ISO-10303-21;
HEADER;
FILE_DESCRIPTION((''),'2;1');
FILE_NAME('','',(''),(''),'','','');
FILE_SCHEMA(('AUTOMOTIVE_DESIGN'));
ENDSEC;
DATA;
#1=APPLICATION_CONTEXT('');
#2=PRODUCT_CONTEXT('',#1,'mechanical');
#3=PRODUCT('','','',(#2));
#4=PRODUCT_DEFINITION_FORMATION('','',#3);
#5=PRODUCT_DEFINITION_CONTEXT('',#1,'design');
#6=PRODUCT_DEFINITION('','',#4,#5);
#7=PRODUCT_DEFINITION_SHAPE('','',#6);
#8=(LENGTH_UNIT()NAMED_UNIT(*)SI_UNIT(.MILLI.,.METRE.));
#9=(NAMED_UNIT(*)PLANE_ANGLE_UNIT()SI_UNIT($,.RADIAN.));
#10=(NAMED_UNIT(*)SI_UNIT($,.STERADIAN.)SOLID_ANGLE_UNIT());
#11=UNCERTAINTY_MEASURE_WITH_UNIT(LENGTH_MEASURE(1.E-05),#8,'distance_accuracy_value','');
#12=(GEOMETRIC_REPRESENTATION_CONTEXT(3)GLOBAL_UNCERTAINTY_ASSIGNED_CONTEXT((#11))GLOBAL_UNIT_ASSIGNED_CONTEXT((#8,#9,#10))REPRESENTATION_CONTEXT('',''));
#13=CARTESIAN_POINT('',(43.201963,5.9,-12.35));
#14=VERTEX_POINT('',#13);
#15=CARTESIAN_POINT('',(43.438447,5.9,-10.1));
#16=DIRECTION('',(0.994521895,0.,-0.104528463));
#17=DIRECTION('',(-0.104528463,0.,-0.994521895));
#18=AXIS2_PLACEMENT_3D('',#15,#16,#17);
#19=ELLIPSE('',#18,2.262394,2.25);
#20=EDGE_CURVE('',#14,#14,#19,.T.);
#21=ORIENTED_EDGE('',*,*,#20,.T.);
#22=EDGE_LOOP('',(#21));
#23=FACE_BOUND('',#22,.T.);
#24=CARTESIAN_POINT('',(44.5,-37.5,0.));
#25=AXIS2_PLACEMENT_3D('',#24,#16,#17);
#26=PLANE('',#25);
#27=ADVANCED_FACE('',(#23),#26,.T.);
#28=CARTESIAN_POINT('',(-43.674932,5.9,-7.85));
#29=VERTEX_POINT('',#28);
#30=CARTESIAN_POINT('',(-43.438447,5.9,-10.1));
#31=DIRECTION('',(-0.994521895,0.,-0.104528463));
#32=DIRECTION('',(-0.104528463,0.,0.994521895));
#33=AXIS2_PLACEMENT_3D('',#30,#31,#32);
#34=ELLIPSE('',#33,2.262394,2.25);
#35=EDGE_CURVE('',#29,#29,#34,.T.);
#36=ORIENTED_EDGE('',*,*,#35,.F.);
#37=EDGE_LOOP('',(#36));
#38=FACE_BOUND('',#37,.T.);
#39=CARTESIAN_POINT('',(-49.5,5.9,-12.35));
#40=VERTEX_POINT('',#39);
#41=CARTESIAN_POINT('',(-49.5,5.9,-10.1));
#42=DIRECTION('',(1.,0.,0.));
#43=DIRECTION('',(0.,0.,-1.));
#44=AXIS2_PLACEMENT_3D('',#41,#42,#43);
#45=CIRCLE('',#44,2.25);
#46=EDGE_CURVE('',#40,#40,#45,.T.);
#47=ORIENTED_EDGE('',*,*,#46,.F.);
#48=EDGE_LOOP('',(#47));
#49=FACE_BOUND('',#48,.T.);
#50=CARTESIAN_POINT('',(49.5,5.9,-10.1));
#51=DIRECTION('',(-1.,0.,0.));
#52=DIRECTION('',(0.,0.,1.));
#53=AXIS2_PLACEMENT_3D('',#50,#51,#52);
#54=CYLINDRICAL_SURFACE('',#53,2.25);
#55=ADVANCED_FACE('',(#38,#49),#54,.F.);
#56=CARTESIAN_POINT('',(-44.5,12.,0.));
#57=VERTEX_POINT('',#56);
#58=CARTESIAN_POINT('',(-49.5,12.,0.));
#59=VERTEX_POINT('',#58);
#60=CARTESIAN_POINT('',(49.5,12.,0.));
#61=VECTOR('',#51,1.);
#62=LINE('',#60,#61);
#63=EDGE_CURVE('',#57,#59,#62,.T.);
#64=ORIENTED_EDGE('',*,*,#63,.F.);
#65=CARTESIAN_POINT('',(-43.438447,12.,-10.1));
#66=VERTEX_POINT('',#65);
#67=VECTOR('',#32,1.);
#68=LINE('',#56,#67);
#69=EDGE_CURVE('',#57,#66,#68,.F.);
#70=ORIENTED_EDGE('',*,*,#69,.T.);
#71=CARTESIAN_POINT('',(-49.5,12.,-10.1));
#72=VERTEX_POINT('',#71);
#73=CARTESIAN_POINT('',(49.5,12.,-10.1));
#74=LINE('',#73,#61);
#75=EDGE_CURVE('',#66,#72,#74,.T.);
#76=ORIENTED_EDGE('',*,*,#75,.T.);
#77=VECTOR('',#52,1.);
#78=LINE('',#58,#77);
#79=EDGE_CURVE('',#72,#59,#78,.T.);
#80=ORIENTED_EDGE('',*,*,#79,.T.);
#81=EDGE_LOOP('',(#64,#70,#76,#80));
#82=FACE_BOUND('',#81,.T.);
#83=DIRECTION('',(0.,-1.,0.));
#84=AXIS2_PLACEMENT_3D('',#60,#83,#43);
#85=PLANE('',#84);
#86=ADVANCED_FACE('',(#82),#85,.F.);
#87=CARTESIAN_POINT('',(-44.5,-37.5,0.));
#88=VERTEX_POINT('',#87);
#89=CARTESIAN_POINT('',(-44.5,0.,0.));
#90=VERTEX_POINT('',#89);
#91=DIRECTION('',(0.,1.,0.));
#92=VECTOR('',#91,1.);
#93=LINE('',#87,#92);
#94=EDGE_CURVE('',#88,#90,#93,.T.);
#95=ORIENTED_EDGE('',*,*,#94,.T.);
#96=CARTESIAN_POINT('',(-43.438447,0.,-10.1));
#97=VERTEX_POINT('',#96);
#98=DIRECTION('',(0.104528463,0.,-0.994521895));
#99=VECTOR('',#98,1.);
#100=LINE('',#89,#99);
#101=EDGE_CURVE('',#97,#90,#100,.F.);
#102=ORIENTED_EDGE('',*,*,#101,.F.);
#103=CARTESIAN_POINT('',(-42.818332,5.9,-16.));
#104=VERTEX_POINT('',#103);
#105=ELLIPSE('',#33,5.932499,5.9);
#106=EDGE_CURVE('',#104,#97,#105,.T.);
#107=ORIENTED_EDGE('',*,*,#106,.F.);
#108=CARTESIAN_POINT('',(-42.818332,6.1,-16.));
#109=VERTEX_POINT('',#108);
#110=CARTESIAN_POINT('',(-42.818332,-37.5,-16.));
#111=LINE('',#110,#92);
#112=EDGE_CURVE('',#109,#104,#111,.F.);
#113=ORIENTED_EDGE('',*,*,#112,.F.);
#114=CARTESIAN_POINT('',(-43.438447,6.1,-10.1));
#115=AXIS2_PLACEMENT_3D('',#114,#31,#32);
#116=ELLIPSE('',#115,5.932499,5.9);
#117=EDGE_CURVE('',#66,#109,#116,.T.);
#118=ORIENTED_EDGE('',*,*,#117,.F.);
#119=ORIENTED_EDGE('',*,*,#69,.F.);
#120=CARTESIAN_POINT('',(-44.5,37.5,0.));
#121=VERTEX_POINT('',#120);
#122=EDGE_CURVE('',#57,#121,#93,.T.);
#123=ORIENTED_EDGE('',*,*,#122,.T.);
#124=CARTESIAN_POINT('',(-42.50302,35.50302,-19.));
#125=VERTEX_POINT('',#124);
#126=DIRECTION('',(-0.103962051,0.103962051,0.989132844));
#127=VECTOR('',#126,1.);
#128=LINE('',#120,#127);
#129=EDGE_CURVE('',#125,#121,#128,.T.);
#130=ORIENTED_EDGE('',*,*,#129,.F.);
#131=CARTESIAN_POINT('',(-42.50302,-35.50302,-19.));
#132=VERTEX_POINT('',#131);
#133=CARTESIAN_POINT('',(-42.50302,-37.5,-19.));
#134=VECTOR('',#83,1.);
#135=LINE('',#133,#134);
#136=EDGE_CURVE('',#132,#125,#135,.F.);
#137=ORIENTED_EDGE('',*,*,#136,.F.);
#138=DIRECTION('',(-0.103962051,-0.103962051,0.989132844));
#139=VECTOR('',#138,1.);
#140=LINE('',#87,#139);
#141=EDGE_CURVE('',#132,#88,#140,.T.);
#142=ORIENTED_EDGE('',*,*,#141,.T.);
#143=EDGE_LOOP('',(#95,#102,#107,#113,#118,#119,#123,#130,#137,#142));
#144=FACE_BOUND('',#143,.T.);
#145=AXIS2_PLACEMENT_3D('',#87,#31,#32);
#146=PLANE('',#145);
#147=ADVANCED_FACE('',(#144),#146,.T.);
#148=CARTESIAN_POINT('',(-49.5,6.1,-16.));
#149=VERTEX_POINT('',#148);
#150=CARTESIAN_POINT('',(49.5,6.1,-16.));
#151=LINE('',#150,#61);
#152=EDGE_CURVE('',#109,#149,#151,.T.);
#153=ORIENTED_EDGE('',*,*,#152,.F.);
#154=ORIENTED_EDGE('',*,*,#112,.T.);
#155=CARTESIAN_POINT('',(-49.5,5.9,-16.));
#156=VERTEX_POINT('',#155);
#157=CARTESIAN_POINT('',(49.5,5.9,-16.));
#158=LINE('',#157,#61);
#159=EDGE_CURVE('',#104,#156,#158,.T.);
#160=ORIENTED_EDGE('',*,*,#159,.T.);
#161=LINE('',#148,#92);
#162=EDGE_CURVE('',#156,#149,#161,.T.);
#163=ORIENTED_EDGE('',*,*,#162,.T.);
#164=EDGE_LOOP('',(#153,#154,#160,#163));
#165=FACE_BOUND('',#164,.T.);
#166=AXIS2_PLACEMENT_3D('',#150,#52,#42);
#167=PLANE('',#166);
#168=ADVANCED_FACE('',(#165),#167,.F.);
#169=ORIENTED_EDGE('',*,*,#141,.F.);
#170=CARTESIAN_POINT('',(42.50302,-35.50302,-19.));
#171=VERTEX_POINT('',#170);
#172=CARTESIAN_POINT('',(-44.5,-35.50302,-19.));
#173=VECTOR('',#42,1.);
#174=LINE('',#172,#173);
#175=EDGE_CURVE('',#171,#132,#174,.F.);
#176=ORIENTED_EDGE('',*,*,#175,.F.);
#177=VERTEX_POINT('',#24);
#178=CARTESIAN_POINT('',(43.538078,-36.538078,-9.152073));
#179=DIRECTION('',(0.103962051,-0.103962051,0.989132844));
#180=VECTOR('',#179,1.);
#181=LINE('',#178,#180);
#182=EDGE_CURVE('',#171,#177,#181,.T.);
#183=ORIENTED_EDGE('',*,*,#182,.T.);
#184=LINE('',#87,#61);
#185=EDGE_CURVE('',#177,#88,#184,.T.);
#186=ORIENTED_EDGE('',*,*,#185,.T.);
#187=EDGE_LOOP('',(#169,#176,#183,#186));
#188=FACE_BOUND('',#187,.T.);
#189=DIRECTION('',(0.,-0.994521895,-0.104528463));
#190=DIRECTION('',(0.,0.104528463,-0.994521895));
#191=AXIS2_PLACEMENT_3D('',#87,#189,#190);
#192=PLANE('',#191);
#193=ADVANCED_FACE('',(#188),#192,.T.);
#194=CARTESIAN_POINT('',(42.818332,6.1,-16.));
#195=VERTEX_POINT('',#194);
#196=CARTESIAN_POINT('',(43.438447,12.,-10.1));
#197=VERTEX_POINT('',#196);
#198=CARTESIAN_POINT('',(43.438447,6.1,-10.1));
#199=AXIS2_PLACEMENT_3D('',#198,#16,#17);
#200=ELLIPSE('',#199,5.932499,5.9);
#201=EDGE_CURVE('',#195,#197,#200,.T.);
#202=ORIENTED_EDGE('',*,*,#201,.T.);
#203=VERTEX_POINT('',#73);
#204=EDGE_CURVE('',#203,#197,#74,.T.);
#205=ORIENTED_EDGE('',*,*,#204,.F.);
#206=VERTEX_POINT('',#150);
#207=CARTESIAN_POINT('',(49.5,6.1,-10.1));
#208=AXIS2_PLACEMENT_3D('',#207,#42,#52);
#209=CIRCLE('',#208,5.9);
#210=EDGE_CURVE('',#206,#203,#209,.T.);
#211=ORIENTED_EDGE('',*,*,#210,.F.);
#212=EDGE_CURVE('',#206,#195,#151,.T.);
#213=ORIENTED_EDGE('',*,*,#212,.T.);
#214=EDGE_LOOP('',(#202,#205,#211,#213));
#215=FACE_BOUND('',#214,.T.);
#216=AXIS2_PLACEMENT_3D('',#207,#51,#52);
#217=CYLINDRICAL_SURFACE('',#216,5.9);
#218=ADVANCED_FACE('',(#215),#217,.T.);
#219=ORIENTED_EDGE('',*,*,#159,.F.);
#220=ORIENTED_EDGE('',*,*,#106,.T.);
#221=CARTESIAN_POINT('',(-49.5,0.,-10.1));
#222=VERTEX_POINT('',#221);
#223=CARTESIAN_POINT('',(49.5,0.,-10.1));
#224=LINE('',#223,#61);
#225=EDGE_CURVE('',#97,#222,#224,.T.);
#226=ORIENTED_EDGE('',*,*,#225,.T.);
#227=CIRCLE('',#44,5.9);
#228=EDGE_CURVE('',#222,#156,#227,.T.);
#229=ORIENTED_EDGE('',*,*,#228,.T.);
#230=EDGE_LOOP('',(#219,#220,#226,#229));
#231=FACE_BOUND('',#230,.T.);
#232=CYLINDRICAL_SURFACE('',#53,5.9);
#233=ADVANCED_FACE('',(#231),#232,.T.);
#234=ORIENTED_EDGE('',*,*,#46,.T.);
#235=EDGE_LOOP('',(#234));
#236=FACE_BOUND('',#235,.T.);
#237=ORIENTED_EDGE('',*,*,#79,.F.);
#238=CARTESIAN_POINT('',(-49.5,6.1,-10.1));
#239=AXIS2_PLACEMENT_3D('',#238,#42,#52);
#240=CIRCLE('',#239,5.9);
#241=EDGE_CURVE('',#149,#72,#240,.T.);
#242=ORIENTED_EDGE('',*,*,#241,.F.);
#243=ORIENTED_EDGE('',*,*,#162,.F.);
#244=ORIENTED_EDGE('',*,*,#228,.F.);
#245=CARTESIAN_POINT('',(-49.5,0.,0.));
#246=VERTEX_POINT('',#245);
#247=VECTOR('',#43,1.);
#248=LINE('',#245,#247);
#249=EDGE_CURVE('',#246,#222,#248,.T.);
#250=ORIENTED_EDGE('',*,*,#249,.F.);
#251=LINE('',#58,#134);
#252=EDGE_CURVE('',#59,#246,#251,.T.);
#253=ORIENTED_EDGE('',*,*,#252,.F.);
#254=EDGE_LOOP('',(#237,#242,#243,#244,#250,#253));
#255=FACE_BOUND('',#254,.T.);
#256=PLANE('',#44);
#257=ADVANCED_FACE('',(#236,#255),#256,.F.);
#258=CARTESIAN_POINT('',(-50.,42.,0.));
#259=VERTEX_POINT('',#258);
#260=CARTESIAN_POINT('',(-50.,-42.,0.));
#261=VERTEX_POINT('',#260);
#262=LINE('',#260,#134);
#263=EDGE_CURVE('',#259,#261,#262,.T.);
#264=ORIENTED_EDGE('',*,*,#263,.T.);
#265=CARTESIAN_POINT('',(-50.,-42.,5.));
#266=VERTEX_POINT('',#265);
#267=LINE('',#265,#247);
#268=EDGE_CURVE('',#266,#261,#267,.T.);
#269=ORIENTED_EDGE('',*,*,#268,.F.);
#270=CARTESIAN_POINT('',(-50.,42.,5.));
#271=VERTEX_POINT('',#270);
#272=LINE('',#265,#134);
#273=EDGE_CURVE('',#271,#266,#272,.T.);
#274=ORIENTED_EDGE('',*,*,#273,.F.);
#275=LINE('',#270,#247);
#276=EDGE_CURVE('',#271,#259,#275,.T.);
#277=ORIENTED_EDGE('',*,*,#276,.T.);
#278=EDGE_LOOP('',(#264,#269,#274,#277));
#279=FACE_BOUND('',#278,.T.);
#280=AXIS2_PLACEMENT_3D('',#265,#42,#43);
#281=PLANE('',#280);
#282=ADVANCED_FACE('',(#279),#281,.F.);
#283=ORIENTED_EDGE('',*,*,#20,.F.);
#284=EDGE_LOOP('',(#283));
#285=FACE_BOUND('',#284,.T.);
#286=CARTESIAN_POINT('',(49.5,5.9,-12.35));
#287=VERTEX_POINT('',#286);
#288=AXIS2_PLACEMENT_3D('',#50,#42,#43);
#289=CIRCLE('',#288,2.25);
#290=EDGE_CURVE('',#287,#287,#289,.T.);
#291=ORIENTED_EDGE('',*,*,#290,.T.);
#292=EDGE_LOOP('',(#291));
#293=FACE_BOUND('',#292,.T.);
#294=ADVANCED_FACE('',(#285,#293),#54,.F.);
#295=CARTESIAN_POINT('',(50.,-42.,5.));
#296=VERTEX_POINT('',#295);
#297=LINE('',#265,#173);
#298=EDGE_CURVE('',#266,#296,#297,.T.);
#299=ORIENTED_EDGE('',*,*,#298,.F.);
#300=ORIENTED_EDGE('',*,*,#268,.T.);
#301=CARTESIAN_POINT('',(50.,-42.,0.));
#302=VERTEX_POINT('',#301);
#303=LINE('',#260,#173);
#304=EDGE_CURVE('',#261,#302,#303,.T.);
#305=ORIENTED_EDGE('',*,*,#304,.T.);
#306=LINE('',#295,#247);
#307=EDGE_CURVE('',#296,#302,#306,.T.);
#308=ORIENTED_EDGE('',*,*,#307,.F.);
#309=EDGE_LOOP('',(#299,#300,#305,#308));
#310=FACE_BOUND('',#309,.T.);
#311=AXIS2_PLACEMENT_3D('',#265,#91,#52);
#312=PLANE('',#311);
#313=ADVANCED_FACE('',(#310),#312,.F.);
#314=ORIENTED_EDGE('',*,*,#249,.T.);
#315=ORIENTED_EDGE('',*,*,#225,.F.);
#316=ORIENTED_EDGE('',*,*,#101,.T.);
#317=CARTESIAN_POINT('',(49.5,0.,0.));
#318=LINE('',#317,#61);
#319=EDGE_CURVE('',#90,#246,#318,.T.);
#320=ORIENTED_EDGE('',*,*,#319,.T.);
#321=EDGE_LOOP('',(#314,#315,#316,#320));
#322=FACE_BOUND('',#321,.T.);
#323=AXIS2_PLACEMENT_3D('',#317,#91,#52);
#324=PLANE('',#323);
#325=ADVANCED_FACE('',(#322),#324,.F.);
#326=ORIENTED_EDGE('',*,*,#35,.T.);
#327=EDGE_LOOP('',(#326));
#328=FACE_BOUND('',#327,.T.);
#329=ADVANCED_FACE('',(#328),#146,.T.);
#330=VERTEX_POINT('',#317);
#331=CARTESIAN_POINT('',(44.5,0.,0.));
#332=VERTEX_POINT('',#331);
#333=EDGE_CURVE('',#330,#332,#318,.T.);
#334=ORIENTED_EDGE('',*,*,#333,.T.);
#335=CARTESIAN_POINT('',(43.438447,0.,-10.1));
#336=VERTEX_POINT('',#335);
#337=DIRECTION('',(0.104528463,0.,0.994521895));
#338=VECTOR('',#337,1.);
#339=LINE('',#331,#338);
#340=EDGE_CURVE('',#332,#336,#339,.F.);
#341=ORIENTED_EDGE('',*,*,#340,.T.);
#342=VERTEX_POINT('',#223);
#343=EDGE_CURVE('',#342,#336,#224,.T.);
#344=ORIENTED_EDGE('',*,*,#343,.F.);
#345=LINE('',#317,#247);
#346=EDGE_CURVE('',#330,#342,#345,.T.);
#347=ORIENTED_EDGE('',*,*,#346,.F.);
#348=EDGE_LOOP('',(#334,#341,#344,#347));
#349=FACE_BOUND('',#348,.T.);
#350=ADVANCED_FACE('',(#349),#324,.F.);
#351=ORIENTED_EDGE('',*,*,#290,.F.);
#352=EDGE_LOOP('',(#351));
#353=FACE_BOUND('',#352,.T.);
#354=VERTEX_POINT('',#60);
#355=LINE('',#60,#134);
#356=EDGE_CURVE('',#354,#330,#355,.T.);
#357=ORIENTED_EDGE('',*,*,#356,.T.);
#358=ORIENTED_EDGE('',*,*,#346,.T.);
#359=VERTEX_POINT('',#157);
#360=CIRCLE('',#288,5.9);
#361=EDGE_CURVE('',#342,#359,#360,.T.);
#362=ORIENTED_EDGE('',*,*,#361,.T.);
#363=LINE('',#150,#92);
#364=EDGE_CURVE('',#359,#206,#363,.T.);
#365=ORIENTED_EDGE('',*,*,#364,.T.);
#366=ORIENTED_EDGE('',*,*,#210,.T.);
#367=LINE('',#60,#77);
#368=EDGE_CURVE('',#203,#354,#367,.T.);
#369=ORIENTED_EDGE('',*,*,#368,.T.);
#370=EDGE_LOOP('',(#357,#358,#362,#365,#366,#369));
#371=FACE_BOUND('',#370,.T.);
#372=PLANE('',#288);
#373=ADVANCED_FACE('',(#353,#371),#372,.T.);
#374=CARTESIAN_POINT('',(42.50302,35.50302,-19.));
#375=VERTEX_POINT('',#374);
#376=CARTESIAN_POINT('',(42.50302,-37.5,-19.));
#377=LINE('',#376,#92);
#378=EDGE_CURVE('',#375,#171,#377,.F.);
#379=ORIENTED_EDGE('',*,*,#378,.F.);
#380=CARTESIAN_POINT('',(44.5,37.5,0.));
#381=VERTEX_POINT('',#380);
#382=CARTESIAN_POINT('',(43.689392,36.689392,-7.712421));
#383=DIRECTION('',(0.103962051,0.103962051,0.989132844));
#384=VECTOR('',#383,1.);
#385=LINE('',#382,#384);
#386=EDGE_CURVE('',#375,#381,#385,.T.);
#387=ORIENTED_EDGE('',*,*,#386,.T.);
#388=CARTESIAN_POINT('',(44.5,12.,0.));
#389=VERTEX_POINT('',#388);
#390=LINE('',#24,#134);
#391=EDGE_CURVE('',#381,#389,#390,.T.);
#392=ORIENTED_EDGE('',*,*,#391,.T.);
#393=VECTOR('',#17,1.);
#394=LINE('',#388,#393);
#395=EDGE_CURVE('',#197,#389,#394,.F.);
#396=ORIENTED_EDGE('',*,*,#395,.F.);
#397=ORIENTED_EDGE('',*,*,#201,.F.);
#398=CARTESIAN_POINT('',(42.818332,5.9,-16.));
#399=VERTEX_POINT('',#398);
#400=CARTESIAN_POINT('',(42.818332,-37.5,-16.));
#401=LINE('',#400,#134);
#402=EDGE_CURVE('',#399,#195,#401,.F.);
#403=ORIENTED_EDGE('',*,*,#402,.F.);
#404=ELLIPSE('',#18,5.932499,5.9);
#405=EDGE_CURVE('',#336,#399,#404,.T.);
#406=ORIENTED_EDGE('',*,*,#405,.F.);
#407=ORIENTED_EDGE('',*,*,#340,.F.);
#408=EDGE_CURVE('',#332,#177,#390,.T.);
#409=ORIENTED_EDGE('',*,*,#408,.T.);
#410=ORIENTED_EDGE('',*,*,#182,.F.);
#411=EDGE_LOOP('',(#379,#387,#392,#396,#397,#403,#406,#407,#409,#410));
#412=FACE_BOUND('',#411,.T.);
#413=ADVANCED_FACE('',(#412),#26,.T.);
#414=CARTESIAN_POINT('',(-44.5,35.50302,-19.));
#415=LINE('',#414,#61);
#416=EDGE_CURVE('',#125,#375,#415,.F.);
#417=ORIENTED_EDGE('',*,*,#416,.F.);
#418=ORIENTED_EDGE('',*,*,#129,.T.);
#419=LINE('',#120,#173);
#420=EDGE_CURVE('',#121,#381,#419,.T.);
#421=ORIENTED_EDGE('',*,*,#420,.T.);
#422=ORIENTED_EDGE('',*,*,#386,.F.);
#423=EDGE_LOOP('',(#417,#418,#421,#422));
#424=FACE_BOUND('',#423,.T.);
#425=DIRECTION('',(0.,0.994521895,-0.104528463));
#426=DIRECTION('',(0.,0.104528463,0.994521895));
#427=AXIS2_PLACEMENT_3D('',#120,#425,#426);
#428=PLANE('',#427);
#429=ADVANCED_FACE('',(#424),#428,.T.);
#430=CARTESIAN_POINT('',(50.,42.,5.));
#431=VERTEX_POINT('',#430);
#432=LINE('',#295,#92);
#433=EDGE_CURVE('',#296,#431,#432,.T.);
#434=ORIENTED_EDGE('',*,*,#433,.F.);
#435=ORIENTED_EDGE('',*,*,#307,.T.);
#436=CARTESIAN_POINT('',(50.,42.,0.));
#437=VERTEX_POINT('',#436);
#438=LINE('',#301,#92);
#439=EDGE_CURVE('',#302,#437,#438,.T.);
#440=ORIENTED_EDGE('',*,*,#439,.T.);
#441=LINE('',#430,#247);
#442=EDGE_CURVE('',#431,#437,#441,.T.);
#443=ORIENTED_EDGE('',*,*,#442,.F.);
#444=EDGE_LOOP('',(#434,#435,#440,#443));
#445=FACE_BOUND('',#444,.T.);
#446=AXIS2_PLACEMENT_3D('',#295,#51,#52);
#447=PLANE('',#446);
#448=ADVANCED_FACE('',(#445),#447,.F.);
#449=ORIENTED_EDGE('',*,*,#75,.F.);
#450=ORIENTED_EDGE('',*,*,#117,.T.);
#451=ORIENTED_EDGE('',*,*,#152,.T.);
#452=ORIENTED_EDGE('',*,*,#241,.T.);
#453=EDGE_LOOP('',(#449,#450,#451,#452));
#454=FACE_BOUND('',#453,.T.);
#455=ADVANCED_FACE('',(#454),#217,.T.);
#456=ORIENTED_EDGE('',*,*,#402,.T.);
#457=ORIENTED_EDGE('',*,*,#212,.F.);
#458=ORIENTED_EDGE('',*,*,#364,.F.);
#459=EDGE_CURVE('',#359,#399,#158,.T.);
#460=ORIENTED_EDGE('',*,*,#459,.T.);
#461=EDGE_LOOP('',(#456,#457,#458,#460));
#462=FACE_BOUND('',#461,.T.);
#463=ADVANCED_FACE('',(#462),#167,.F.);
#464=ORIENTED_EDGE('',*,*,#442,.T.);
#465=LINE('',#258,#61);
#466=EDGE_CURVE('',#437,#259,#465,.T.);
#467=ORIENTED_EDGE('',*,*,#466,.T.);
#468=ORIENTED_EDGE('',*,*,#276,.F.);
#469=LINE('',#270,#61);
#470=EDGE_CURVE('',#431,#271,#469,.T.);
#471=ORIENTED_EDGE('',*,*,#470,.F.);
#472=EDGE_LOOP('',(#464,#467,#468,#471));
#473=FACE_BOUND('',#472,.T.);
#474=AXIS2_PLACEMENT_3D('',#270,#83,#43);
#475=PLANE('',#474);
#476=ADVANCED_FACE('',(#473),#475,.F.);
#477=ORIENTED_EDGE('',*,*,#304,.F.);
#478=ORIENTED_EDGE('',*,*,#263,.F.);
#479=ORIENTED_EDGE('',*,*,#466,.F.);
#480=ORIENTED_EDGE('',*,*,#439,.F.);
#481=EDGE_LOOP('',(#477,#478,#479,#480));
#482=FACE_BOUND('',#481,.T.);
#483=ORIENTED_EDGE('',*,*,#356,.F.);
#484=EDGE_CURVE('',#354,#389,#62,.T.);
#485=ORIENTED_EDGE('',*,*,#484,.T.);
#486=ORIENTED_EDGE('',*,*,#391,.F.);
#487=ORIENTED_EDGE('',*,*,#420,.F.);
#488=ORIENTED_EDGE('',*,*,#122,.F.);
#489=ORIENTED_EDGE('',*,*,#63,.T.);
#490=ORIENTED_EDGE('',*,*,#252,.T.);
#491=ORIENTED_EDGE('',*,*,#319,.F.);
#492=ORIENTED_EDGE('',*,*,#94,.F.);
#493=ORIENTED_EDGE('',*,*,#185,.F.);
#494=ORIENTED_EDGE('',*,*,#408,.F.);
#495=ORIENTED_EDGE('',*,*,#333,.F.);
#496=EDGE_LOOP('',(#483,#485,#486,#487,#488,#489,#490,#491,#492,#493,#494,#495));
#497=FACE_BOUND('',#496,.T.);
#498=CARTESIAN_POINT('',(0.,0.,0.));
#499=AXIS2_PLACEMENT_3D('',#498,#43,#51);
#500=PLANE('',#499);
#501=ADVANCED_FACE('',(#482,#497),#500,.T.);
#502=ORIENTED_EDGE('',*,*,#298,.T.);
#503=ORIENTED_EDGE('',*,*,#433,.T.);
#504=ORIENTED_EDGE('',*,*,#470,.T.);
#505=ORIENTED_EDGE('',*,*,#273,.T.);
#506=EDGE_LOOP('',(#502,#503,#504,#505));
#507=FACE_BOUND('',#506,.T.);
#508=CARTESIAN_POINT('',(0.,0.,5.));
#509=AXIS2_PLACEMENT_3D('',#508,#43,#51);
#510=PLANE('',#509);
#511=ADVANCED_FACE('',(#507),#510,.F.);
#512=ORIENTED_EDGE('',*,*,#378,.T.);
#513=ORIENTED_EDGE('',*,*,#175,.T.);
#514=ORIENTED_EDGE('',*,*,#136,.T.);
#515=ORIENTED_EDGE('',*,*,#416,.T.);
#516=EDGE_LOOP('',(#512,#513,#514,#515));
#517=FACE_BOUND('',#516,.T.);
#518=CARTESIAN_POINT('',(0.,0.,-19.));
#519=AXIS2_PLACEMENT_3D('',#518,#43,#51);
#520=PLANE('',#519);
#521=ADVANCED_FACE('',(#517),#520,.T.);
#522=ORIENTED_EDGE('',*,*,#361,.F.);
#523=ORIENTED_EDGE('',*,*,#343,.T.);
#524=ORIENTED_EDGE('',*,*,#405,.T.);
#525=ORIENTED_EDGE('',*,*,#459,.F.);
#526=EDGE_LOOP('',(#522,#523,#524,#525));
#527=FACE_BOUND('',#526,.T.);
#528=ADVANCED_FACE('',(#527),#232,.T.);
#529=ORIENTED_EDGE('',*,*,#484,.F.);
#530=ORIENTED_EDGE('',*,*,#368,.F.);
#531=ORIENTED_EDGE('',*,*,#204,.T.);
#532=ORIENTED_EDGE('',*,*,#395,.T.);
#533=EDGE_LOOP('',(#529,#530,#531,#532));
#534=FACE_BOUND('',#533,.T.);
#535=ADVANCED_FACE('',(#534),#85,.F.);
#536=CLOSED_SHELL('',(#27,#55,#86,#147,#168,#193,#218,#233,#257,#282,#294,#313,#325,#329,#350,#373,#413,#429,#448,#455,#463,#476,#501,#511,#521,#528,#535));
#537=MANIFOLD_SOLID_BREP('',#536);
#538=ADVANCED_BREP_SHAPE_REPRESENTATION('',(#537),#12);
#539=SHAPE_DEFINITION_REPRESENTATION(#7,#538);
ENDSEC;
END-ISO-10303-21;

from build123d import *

# Parameters (mm, degrees)
CROQUIS1_W              = 100
CROQUIS1_H              = 84
SALIENTE_EXTRUIR1_DEPTH = 5
CROQUIS2_W              = 89
CROQUIS2_H              = 75
SALIENTE_EXTRUIR2_DEPTH = 19
SALIENTE_EXTRUIR2_TAPER = 6
CROQUIS3_R              = 2.25
SALIENTE_EXTRUIR3_DEPTH = 49.5


with BuildPart() as part:
    # Croquis1 → Saliente-Extruir1 (new body)
    with BuildSketch(Plane.XY):
        Rectangle(CROQUIS1_W, CROQUIS1_H)
    extrude(amount=SALIENTE_EXTRUIR1_DEPTH)

    # Croquis2 → Saliente-Extruir2 (add)
    with BuildSketch(Plane(origin=(0, 0, 0), x_dir=(-1, 0, 0), z_dir=(0, 0, -1))):
        Rectangle(CROQUIS2_W, CROQUIS2_H)
    extrude(amount=SALIENTE_EXTRUIR2_DEPTH, taper=SALIENTE_EXTRUIR2_TAPER)

    # Croquis3 → Saliente-Extruir3 (add, symmetric)
    with BuildSketch(Plane(origin=(0, 0, 0), x_dir=(0, 0, -1), z_dir=(1, 0, 0))):
        with BuildLine():
            Line((0, 12), (10.1, 12))
            ThreePointArc((10.1, 12), (14.271930009, 10.271930009), (16, 6.1))
            Line((16, 6.1), (16, 5.9))
            ThreePointArc((16, 5.9), (14.271930009, 1.728069991), (10.1, 0))
            Line((10.1, 0), (0, 0))
            Line((0, 0), (0, 12))
        make_face()
        with Locations(Location((10.1, 5.9, 0), (0, 0, 180))):
            Circle(CROQUIS3_R, mode=Mode.SUBTRACT)
    extrude(amount=SALIENTE_EXTRUIR3_DEPTH, both=True)


solid = part.part
